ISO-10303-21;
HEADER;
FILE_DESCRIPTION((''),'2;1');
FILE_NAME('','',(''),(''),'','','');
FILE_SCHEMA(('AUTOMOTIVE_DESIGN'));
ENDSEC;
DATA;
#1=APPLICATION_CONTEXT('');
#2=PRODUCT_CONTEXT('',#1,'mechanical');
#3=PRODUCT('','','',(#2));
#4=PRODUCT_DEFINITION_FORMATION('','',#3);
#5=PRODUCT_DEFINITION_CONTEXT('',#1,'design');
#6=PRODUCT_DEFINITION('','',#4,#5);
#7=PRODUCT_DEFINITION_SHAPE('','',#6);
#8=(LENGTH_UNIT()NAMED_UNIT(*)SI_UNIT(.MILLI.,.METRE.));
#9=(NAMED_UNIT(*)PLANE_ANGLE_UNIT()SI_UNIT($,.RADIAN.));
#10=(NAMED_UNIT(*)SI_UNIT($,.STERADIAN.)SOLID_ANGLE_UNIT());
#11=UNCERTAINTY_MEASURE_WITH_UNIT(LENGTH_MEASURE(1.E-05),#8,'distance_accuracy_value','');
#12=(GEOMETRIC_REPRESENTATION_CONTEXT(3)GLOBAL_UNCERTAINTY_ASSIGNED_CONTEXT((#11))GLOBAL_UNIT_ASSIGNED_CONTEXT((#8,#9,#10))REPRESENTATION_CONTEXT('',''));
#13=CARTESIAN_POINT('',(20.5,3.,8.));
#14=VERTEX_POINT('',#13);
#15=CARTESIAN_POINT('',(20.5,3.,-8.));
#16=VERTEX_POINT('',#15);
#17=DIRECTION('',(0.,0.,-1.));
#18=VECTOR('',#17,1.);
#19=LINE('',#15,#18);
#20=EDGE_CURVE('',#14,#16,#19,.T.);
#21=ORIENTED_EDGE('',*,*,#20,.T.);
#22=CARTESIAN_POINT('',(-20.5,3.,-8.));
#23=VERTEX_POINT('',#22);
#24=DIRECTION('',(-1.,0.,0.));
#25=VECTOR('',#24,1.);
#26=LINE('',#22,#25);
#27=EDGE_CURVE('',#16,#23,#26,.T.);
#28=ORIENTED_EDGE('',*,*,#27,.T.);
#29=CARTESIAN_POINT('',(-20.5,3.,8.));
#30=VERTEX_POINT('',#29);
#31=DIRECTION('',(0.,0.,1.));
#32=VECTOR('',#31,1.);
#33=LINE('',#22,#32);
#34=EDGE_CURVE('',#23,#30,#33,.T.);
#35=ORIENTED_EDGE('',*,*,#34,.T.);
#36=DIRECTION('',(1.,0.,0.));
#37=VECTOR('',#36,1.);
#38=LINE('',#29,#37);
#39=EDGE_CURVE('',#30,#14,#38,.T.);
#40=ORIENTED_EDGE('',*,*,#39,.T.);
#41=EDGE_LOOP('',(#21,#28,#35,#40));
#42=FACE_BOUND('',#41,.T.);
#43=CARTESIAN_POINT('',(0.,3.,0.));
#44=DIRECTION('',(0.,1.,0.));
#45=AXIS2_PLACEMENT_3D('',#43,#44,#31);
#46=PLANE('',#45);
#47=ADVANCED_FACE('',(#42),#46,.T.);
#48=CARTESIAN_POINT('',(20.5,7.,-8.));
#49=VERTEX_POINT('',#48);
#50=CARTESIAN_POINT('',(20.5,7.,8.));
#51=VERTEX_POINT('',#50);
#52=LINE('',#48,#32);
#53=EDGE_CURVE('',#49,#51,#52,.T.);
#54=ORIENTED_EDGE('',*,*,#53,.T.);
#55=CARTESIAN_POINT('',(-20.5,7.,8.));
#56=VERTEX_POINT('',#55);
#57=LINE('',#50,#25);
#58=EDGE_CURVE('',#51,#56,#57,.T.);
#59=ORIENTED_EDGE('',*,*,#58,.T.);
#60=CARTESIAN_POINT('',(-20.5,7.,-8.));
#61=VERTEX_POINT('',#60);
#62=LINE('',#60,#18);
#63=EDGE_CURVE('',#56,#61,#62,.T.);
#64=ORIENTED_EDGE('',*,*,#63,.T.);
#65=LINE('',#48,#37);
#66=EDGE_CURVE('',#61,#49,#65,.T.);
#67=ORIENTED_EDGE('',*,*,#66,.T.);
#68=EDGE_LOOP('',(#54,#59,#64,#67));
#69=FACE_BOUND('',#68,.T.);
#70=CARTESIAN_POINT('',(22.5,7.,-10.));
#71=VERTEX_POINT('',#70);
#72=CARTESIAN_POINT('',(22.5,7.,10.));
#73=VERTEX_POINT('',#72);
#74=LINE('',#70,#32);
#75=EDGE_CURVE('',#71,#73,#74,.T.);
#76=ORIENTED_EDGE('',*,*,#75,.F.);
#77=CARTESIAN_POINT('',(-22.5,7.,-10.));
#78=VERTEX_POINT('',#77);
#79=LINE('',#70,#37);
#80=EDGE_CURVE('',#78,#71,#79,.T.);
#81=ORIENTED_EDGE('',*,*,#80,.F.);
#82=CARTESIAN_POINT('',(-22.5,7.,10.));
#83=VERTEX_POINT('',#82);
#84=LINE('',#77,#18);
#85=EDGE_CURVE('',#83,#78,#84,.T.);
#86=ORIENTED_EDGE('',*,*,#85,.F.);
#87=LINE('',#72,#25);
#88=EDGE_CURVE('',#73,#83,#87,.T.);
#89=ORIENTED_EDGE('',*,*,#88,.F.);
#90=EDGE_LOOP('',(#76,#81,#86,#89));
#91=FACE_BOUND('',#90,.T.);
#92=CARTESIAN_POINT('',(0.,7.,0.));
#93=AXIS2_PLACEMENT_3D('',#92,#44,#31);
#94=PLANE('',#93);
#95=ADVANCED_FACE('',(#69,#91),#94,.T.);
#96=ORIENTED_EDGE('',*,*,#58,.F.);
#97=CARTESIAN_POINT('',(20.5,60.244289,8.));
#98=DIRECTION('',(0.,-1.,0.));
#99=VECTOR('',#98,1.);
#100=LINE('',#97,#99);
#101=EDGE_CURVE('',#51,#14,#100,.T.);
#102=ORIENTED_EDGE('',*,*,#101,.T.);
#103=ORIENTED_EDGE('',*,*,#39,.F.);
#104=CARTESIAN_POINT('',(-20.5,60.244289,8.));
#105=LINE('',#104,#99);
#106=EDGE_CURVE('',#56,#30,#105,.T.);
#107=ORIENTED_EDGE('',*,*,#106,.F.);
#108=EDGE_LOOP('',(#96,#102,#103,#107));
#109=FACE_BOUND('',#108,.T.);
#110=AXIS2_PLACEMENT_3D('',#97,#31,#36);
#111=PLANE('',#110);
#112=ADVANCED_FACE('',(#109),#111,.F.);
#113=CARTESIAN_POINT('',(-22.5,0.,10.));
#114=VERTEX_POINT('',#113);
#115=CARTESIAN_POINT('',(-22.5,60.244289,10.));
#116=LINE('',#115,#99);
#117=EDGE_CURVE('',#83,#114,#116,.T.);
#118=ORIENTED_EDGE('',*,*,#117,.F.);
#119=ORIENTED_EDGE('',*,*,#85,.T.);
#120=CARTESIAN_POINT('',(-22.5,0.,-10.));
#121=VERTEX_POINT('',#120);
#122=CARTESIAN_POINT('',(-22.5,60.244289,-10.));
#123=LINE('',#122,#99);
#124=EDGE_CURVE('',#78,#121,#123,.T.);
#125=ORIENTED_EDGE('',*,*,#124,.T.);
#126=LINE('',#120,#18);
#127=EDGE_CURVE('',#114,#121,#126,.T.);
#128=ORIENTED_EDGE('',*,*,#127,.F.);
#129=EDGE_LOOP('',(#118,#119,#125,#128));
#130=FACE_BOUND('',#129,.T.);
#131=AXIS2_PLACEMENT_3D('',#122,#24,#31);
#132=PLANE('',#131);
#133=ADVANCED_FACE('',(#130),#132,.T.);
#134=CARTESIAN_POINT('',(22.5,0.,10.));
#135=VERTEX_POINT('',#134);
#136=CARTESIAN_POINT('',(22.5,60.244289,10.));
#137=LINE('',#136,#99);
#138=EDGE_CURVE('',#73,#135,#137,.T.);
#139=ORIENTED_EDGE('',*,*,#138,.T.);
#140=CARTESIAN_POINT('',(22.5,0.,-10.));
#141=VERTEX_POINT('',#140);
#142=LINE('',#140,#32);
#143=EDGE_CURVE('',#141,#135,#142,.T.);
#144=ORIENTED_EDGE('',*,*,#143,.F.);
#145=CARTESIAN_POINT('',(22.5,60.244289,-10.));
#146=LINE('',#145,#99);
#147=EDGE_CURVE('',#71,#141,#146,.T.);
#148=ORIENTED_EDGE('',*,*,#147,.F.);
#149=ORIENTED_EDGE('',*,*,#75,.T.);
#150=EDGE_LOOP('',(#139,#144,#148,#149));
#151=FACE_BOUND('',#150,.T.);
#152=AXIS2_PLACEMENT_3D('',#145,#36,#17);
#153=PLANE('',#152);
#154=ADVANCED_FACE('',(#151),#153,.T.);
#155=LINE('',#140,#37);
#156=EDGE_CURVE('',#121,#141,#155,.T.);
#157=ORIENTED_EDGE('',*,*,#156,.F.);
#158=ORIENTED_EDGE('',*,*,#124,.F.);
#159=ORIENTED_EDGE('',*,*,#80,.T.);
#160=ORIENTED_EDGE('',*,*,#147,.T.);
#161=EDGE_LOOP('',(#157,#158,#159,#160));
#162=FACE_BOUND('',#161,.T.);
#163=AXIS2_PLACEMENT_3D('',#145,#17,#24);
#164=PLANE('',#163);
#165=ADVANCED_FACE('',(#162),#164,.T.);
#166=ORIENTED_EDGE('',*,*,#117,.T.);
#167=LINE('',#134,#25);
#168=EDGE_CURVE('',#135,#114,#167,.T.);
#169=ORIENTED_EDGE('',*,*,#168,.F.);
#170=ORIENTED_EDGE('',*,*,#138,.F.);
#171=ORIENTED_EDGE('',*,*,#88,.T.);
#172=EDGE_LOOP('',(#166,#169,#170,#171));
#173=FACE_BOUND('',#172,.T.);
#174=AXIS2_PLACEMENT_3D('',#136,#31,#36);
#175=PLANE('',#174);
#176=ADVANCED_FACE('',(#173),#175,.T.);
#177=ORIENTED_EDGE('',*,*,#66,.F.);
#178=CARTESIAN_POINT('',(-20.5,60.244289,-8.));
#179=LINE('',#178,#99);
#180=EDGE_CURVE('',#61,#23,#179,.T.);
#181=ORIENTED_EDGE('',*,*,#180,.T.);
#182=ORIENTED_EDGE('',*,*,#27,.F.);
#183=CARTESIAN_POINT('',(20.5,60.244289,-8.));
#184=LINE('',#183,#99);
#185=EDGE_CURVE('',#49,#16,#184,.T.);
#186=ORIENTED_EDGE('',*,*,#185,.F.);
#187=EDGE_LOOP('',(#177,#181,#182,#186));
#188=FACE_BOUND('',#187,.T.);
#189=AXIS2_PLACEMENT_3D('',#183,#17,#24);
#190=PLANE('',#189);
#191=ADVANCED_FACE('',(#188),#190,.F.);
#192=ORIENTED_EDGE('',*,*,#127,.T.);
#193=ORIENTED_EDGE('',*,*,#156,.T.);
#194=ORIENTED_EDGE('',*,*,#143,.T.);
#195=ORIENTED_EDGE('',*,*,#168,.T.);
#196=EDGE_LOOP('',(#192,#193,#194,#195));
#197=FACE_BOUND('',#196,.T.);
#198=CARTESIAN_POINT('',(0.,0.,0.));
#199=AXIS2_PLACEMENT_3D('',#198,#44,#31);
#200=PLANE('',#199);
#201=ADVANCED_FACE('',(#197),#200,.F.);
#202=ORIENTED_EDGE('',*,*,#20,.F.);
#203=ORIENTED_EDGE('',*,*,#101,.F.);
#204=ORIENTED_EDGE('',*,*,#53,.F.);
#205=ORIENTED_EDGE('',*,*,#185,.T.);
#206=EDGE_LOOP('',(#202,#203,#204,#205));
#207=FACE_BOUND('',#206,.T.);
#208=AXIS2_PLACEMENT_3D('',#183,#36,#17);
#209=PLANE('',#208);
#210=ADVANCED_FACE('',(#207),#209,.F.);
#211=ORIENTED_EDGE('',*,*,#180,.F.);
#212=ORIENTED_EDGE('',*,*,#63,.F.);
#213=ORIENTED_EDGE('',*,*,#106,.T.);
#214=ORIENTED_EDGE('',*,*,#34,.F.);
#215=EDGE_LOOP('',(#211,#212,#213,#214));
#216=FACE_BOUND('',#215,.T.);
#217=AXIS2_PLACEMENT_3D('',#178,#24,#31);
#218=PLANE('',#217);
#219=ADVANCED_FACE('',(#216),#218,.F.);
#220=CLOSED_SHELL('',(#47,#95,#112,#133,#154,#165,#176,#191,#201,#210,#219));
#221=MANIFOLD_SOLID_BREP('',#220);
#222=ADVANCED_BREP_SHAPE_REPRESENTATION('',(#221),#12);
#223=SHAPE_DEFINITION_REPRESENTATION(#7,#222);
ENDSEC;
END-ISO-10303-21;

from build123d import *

# Parameters (mm, degrees)
SKETCH1_W           = 41
SKETCH1_H           = 16
BOSS_EXTRUDE1_DEPTH = 3
SKETCH2_W           = 45
SKETCH2_H           = 20
SKETCH2_W_2         = 41
SKETCH2_H_2         = 16
BOSS_EXTRUDE2_DEPTH = 7


with BuildPart() as part:
    # Sketch1 → Boss-Extrude1 (new body)
    with BuildSketch(Plane(origin=(0, 0, 0), x_dir=(1, 0, 0), z_dir=(0, 1, 0))):
        Rectangle(SKETCH1_W, SKETCH1_H)
    extrude(amount=BOSS_EXTRUDE1_DEPTH)

    # Sketch2 → Boss-Extrude2 (add)
    with BuildSketch(Plane.XZ):
        Rectangle(SKETCH2_W, SKETCH2_H)
        Rectangle(SKETCH2_W_2, SKETCH2_H_2, mode=Mode.SUBTRACT)
    extrude(amount=-BOSS_EXTRUDE2_DEPTH)


solid = part.part
